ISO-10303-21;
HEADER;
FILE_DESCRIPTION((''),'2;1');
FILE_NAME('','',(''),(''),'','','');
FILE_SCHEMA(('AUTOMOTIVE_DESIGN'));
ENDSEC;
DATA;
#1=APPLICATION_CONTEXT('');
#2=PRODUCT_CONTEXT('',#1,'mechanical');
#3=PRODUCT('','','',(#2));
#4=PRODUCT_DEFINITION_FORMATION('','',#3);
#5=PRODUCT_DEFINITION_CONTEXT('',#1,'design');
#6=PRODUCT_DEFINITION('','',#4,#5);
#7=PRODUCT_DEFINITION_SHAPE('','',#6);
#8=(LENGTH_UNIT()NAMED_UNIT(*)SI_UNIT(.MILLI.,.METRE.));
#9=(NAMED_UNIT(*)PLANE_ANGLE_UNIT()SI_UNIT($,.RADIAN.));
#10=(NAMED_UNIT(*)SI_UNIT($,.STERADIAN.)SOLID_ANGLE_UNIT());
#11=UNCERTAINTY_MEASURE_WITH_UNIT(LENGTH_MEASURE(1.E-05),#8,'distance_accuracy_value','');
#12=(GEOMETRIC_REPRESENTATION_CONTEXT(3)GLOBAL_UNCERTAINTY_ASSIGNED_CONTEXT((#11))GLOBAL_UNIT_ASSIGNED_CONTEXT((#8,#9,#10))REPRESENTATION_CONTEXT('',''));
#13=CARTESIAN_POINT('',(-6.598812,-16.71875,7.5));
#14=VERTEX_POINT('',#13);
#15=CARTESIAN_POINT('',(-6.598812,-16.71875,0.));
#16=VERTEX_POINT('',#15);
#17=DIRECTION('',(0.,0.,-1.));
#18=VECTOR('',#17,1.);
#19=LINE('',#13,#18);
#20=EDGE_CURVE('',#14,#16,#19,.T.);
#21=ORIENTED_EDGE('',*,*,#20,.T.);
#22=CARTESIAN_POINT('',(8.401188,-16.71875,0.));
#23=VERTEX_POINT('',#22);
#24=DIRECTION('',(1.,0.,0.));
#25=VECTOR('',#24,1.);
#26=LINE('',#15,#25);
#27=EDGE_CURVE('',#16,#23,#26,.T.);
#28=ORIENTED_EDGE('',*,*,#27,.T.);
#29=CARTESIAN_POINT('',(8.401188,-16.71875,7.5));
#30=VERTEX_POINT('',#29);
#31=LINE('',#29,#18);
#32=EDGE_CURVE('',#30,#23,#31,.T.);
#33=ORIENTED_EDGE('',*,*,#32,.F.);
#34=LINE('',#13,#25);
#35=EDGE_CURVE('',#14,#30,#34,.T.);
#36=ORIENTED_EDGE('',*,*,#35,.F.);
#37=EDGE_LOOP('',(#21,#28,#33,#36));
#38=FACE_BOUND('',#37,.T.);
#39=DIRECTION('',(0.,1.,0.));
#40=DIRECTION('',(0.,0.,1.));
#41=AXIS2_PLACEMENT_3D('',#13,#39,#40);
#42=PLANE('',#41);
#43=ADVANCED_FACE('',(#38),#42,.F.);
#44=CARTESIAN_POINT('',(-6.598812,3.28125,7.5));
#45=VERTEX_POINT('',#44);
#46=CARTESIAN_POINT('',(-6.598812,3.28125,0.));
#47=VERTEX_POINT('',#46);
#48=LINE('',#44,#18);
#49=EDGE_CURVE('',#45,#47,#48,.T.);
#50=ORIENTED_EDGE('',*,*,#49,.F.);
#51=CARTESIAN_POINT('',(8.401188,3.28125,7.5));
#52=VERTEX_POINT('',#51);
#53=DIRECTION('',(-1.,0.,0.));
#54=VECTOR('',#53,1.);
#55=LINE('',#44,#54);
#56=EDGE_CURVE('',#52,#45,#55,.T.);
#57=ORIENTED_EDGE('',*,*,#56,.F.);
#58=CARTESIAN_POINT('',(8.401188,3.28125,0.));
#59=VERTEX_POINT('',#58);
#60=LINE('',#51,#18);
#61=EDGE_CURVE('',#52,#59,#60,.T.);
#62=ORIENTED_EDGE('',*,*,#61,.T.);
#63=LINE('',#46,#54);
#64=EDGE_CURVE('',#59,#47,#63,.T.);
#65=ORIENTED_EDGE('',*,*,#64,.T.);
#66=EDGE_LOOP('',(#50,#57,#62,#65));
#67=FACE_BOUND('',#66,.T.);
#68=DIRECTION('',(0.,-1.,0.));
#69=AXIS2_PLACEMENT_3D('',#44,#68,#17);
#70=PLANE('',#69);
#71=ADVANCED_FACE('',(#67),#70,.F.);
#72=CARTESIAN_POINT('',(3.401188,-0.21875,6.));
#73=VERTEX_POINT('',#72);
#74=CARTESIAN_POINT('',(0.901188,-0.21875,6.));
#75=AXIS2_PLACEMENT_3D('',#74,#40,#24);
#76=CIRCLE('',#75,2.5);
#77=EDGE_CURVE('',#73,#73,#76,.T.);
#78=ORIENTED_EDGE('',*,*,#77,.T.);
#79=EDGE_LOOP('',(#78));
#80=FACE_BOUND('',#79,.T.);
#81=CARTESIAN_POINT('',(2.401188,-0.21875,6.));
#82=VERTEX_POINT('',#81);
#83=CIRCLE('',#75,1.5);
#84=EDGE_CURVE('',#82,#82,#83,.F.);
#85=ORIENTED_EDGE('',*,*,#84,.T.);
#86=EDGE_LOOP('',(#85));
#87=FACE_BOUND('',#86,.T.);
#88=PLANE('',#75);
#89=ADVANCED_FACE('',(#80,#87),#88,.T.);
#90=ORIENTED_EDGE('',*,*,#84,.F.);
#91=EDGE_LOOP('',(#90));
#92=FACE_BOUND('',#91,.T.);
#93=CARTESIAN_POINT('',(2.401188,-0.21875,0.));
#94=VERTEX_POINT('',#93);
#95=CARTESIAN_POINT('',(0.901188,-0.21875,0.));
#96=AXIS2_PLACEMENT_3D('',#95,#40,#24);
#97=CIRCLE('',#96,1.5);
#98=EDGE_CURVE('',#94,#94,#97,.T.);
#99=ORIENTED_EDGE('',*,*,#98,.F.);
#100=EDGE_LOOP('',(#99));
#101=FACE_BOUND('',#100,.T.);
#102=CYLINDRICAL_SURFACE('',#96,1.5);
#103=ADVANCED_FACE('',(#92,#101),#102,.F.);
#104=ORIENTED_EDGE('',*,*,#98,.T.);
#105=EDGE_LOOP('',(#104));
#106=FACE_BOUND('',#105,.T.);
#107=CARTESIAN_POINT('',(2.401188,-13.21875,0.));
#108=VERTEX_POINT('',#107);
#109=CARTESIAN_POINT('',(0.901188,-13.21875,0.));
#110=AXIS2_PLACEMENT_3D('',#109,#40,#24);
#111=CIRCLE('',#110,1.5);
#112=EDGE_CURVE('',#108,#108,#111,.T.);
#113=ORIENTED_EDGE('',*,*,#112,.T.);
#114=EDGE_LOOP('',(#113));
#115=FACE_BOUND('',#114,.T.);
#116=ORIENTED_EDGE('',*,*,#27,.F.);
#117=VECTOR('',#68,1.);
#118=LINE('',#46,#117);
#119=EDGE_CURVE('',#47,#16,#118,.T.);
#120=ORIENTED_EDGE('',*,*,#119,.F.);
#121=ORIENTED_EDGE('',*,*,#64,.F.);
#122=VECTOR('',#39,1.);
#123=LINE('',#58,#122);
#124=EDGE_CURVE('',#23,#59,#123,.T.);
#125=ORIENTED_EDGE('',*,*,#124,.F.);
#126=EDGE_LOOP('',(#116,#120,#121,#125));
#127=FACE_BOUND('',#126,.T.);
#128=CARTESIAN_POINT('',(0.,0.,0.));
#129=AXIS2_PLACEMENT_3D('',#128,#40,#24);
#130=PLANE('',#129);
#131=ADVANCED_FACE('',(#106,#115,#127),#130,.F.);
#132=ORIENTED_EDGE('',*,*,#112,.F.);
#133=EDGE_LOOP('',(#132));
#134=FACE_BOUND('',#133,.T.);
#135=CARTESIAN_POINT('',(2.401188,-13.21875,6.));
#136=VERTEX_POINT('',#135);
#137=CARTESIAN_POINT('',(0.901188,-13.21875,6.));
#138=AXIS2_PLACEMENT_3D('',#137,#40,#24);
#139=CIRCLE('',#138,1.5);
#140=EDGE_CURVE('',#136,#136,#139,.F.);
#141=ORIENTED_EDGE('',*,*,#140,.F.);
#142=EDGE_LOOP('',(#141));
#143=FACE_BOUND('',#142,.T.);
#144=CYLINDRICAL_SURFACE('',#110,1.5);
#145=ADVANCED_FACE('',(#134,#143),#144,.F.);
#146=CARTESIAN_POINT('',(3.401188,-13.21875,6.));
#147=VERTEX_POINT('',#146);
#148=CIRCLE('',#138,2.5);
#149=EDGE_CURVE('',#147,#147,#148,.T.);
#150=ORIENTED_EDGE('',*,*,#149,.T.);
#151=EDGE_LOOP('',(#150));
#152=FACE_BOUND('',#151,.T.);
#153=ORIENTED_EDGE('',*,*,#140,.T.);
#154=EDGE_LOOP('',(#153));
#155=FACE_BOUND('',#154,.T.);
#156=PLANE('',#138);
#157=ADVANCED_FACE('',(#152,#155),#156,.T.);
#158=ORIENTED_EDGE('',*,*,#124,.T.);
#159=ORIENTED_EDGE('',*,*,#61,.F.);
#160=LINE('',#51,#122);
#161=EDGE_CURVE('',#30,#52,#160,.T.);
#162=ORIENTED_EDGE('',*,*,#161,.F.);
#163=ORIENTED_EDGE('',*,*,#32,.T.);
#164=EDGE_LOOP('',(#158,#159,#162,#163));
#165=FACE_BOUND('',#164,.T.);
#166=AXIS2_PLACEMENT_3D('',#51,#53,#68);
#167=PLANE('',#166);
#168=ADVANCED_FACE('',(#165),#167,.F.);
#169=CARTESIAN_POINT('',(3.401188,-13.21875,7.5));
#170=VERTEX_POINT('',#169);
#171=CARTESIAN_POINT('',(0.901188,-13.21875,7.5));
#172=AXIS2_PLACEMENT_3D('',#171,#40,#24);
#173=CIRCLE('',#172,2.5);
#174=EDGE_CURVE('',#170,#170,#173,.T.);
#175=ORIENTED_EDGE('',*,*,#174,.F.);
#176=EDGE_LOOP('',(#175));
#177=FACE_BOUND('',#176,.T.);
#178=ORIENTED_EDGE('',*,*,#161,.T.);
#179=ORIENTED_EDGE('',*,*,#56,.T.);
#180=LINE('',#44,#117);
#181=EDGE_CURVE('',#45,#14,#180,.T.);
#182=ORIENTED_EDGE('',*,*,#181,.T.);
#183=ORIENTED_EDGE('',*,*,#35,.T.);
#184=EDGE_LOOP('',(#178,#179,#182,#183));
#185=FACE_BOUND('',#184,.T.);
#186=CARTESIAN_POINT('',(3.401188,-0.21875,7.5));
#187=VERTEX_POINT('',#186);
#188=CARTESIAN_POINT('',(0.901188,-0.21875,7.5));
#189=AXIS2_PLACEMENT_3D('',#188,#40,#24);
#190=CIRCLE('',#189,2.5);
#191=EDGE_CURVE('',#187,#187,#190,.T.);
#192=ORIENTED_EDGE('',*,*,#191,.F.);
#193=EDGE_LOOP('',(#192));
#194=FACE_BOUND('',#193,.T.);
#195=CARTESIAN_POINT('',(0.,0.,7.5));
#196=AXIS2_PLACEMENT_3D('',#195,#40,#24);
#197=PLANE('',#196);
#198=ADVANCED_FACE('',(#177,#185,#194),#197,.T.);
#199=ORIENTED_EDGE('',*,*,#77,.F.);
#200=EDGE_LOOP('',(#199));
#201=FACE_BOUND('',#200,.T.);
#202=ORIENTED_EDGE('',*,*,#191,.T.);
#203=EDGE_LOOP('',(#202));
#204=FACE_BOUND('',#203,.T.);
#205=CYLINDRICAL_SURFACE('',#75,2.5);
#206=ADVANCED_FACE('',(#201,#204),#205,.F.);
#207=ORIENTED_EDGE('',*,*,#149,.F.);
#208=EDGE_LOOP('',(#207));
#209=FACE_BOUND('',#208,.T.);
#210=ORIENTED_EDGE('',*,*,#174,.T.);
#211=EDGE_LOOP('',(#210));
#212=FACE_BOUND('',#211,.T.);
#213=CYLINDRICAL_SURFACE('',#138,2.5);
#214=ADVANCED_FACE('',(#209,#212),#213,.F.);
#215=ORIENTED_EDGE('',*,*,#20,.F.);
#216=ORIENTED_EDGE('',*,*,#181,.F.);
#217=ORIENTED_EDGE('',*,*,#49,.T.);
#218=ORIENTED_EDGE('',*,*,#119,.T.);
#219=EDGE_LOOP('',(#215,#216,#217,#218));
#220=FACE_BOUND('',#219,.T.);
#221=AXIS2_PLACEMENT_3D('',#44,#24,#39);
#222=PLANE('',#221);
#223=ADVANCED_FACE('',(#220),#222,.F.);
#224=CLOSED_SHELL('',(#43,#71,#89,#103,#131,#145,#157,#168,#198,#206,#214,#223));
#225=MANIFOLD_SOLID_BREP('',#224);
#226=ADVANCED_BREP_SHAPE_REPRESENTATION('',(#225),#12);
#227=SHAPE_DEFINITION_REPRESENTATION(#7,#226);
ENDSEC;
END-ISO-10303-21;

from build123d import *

# Parameters (mm, degrees)
IZIM1_W                     = 15
IZIM1_H                     = 20
Y_KSEKLIK_EKSTR_ZYON1_DEPTH = 7.5
IZIM2_R                     = 1.5
KES_EKSTR_ZYON1_DEPTH       = 7.5
IZIM3_R                     = 2.5
KES_EKSTR_ZYON2_DEPTH       = 1.5


with BuildPart() as part:
    # Çizim1 → Yükseklik-Ekstrüzyon1 (new body)
    with BuildSketch(Plane.XY):
        with Locations((0.901187863, -6.71875)):
            Rectangle(IZIM1_W, IZIM1_H)
    extrude(amount=Y_KSEKLIK_EKSTR_ZYON1_DEPTH)

    # Çizim2 → Kes-Ekstrüzyon1 (cut)
    with BuildSketch(Plane.XY.offset(7.5)):
        with Locations((0.901187863, -0.21875)):
            Circle(IZIM2_R)
        with Locations((0.901187863, -13.21875)):
            Circle(IZIM2_R)
    extrude(amount=-KES_EKSTR_ZYON1_DEPTH, mode=Mode.SUBTRACT)

    # Çizim3 → Kes-Ekstrüzyon2 (cut)
    with BuildSketch(Plane.XY.offset(7.5)):
        with Locations((0.901187863, -0.21875)):
            Circle(IZIM3_R)
        with Locations((0.901187863, -13.21875)):
            Circle(IZIM3_R)
    extrude(amount=-KES_EKSTR_ZYON2_DEPTH, mode=Mode.SUBTRACT)


solid = part.part
